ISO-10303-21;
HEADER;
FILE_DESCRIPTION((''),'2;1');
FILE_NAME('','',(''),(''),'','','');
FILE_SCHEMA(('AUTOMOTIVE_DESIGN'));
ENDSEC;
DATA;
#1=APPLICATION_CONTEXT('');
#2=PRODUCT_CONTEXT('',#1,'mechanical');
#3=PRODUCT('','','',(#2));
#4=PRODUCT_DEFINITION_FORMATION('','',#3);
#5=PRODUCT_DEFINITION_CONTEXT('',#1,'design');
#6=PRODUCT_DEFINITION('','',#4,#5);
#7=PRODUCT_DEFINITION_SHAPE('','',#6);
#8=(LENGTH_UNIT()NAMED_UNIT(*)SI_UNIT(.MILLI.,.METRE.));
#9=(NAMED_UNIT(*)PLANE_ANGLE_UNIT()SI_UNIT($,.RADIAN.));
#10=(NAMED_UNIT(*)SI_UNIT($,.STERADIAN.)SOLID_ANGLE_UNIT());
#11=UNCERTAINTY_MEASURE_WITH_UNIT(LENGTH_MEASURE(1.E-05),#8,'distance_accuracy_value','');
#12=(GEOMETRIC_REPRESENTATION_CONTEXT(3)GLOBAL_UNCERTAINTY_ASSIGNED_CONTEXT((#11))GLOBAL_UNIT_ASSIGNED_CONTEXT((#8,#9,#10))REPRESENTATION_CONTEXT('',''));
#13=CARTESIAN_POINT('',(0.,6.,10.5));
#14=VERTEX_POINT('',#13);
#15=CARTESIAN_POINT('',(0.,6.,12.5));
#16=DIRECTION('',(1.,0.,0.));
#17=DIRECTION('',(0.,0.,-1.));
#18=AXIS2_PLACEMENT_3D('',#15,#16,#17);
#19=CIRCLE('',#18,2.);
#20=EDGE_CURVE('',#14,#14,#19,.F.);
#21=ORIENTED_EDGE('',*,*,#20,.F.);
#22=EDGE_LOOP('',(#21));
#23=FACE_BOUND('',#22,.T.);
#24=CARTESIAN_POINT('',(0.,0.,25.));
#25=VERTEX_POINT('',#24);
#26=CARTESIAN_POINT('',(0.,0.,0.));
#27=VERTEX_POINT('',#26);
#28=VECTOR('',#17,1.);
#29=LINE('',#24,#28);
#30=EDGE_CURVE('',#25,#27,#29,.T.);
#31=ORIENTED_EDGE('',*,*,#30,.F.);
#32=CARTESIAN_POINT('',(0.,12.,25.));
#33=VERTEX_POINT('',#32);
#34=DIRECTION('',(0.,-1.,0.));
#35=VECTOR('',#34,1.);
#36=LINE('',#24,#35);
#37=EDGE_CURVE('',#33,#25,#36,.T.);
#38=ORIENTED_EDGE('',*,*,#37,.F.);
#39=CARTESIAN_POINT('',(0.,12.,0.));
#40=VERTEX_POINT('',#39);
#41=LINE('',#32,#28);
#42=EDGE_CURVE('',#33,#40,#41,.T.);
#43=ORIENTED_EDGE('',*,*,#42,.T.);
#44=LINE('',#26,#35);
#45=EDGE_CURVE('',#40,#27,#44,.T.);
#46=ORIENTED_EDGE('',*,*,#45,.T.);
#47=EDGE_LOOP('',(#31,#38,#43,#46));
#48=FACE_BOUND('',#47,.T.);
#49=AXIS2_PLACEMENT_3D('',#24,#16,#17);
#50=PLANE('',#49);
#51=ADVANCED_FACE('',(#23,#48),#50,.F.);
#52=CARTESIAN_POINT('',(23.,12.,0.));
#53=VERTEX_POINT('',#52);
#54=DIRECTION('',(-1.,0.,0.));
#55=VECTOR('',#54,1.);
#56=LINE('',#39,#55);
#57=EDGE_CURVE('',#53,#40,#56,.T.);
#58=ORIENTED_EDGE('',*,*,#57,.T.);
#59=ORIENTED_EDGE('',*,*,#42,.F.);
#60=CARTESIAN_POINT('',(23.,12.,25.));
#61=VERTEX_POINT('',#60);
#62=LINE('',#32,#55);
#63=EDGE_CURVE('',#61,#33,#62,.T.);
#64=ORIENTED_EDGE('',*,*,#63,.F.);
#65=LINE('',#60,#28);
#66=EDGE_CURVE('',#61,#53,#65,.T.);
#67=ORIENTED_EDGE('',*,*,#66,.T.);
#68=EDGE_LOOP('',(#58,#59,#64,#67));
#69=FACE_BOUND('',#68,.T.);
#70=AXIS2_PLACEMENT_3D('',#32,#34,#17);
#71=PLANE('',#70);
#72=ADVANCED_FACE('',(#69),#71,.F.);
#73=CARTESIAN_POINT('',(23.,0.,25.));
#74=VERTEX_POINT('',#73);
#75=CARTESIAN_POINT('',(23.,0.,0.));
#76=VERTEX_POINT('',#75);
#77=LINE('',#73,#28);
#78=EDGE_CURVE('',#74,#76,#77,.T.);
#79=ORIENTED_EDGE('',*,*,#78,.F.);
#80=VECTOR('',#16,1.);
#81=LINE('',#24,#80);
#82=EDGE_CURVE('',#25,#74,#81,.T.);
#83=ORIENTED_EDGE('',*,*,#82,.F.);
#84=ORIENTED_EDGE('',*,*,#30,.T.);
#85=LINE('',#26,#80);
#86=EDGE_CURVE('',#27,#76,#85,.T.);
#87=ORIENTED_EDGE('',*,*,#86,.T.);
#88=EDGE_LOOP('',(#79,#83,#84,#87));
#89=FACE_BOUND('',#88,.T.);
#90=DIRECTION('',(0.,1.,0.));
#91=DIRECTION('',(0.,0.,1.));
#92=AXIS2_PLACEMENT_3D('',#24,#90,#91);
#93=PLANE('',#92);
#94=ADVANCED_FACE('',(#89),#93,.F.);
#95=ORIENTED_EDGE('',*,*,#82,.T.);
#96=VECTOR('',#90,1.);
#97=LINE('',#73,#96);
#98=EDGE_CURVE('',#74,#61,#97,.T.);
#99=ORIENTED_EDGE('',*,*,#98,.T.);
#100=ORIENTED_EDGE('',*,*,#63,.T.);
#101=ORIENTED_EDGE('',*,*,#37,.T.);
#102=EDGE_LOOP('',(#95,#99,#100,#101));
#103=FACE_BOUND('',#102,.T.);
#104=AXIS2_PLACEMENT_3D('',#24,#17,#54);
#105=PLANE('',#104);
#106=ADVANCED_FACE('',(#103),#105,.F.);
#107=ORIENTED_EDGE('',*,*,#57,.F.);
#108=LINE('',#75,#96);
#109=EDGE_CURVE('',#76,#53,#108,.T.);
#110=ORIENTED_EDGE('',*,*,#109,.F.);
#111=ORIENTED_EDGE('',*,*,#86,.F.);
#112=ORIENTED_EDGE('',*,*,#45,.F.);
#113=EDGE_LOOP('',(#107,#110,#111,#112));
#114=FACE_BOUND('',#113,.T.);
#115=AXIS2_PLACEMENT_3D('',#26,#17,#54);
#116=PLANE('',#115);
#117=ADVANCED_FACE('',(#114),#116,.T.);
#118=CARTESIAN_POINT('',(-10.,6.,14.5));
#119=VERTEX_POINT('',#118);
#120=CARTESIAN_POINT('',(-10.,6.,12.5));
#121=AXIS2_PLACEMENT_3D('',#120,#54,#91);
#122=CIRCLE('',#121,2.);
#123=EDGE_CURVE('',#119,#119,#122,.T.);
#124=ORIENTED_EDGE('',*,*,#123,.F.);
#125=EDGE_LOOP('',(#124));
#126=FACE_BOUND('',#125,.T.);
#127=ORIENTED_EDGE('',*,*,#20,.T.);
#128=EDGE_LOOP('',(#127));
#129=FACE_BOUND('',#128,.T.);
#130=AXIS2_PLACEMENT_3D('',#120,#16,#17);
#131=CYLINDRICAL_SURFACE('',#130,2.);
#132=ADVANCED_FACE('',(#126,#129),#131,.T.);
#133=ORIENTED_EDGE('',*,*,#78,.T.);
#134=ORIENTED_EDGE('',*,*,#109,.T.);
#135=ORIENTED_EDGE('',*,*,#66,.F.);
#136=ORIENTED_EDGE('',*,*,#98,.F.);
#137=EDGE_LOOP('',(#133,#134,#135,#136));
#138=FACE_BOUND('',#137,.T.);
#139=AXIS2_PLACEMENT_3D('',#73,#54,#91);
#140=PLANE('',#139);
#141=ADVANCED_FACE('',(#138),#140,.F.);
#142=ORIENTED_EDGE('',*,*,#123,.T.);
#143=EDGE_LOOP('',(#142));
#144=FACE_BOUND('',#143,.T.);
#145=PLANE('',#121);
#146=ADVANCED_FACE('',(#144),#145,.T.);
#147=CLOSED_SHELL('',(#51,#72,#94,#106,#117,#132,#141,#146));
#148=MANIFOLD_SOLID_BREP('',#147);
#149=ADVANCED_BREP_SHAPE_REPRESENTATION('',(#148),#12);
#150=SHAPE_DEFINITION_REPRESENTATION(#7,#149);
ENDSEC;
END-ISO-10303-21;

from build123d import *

# Parameters (mm, degrees)
ESQUISSE1_W        = 23
ESQUISSE1_H        = 12
BOSS_EXTRU_1_DEPTH = 25
ESQUISSE4_R        = 2
BOSS_EXTRU_2_DEPTH = 10


with BuildPart() as part:
    # Esquisse1 → Boss.-Extru.1 (new body)
    with BuildSketch(Plane.XY):
        with Locations((11.5, 6)):
            Rectangle(ESQUISSE1_W, ESQUISSE1_H)
    extrude(amount=BOSS_EXTRU_1_DEPTH)

    # Esquisse4 → Boss.-Extru.2 (add)
    with BuildSketch(Plane.ZY):
        with Locations(Location((12.5, 6, 0), (0, 0, 180))):
            Circle(ESQUISSE4_R)
    extrude(amount=BOSS_EXTRU_2_DEPTH)


solid = part.part
